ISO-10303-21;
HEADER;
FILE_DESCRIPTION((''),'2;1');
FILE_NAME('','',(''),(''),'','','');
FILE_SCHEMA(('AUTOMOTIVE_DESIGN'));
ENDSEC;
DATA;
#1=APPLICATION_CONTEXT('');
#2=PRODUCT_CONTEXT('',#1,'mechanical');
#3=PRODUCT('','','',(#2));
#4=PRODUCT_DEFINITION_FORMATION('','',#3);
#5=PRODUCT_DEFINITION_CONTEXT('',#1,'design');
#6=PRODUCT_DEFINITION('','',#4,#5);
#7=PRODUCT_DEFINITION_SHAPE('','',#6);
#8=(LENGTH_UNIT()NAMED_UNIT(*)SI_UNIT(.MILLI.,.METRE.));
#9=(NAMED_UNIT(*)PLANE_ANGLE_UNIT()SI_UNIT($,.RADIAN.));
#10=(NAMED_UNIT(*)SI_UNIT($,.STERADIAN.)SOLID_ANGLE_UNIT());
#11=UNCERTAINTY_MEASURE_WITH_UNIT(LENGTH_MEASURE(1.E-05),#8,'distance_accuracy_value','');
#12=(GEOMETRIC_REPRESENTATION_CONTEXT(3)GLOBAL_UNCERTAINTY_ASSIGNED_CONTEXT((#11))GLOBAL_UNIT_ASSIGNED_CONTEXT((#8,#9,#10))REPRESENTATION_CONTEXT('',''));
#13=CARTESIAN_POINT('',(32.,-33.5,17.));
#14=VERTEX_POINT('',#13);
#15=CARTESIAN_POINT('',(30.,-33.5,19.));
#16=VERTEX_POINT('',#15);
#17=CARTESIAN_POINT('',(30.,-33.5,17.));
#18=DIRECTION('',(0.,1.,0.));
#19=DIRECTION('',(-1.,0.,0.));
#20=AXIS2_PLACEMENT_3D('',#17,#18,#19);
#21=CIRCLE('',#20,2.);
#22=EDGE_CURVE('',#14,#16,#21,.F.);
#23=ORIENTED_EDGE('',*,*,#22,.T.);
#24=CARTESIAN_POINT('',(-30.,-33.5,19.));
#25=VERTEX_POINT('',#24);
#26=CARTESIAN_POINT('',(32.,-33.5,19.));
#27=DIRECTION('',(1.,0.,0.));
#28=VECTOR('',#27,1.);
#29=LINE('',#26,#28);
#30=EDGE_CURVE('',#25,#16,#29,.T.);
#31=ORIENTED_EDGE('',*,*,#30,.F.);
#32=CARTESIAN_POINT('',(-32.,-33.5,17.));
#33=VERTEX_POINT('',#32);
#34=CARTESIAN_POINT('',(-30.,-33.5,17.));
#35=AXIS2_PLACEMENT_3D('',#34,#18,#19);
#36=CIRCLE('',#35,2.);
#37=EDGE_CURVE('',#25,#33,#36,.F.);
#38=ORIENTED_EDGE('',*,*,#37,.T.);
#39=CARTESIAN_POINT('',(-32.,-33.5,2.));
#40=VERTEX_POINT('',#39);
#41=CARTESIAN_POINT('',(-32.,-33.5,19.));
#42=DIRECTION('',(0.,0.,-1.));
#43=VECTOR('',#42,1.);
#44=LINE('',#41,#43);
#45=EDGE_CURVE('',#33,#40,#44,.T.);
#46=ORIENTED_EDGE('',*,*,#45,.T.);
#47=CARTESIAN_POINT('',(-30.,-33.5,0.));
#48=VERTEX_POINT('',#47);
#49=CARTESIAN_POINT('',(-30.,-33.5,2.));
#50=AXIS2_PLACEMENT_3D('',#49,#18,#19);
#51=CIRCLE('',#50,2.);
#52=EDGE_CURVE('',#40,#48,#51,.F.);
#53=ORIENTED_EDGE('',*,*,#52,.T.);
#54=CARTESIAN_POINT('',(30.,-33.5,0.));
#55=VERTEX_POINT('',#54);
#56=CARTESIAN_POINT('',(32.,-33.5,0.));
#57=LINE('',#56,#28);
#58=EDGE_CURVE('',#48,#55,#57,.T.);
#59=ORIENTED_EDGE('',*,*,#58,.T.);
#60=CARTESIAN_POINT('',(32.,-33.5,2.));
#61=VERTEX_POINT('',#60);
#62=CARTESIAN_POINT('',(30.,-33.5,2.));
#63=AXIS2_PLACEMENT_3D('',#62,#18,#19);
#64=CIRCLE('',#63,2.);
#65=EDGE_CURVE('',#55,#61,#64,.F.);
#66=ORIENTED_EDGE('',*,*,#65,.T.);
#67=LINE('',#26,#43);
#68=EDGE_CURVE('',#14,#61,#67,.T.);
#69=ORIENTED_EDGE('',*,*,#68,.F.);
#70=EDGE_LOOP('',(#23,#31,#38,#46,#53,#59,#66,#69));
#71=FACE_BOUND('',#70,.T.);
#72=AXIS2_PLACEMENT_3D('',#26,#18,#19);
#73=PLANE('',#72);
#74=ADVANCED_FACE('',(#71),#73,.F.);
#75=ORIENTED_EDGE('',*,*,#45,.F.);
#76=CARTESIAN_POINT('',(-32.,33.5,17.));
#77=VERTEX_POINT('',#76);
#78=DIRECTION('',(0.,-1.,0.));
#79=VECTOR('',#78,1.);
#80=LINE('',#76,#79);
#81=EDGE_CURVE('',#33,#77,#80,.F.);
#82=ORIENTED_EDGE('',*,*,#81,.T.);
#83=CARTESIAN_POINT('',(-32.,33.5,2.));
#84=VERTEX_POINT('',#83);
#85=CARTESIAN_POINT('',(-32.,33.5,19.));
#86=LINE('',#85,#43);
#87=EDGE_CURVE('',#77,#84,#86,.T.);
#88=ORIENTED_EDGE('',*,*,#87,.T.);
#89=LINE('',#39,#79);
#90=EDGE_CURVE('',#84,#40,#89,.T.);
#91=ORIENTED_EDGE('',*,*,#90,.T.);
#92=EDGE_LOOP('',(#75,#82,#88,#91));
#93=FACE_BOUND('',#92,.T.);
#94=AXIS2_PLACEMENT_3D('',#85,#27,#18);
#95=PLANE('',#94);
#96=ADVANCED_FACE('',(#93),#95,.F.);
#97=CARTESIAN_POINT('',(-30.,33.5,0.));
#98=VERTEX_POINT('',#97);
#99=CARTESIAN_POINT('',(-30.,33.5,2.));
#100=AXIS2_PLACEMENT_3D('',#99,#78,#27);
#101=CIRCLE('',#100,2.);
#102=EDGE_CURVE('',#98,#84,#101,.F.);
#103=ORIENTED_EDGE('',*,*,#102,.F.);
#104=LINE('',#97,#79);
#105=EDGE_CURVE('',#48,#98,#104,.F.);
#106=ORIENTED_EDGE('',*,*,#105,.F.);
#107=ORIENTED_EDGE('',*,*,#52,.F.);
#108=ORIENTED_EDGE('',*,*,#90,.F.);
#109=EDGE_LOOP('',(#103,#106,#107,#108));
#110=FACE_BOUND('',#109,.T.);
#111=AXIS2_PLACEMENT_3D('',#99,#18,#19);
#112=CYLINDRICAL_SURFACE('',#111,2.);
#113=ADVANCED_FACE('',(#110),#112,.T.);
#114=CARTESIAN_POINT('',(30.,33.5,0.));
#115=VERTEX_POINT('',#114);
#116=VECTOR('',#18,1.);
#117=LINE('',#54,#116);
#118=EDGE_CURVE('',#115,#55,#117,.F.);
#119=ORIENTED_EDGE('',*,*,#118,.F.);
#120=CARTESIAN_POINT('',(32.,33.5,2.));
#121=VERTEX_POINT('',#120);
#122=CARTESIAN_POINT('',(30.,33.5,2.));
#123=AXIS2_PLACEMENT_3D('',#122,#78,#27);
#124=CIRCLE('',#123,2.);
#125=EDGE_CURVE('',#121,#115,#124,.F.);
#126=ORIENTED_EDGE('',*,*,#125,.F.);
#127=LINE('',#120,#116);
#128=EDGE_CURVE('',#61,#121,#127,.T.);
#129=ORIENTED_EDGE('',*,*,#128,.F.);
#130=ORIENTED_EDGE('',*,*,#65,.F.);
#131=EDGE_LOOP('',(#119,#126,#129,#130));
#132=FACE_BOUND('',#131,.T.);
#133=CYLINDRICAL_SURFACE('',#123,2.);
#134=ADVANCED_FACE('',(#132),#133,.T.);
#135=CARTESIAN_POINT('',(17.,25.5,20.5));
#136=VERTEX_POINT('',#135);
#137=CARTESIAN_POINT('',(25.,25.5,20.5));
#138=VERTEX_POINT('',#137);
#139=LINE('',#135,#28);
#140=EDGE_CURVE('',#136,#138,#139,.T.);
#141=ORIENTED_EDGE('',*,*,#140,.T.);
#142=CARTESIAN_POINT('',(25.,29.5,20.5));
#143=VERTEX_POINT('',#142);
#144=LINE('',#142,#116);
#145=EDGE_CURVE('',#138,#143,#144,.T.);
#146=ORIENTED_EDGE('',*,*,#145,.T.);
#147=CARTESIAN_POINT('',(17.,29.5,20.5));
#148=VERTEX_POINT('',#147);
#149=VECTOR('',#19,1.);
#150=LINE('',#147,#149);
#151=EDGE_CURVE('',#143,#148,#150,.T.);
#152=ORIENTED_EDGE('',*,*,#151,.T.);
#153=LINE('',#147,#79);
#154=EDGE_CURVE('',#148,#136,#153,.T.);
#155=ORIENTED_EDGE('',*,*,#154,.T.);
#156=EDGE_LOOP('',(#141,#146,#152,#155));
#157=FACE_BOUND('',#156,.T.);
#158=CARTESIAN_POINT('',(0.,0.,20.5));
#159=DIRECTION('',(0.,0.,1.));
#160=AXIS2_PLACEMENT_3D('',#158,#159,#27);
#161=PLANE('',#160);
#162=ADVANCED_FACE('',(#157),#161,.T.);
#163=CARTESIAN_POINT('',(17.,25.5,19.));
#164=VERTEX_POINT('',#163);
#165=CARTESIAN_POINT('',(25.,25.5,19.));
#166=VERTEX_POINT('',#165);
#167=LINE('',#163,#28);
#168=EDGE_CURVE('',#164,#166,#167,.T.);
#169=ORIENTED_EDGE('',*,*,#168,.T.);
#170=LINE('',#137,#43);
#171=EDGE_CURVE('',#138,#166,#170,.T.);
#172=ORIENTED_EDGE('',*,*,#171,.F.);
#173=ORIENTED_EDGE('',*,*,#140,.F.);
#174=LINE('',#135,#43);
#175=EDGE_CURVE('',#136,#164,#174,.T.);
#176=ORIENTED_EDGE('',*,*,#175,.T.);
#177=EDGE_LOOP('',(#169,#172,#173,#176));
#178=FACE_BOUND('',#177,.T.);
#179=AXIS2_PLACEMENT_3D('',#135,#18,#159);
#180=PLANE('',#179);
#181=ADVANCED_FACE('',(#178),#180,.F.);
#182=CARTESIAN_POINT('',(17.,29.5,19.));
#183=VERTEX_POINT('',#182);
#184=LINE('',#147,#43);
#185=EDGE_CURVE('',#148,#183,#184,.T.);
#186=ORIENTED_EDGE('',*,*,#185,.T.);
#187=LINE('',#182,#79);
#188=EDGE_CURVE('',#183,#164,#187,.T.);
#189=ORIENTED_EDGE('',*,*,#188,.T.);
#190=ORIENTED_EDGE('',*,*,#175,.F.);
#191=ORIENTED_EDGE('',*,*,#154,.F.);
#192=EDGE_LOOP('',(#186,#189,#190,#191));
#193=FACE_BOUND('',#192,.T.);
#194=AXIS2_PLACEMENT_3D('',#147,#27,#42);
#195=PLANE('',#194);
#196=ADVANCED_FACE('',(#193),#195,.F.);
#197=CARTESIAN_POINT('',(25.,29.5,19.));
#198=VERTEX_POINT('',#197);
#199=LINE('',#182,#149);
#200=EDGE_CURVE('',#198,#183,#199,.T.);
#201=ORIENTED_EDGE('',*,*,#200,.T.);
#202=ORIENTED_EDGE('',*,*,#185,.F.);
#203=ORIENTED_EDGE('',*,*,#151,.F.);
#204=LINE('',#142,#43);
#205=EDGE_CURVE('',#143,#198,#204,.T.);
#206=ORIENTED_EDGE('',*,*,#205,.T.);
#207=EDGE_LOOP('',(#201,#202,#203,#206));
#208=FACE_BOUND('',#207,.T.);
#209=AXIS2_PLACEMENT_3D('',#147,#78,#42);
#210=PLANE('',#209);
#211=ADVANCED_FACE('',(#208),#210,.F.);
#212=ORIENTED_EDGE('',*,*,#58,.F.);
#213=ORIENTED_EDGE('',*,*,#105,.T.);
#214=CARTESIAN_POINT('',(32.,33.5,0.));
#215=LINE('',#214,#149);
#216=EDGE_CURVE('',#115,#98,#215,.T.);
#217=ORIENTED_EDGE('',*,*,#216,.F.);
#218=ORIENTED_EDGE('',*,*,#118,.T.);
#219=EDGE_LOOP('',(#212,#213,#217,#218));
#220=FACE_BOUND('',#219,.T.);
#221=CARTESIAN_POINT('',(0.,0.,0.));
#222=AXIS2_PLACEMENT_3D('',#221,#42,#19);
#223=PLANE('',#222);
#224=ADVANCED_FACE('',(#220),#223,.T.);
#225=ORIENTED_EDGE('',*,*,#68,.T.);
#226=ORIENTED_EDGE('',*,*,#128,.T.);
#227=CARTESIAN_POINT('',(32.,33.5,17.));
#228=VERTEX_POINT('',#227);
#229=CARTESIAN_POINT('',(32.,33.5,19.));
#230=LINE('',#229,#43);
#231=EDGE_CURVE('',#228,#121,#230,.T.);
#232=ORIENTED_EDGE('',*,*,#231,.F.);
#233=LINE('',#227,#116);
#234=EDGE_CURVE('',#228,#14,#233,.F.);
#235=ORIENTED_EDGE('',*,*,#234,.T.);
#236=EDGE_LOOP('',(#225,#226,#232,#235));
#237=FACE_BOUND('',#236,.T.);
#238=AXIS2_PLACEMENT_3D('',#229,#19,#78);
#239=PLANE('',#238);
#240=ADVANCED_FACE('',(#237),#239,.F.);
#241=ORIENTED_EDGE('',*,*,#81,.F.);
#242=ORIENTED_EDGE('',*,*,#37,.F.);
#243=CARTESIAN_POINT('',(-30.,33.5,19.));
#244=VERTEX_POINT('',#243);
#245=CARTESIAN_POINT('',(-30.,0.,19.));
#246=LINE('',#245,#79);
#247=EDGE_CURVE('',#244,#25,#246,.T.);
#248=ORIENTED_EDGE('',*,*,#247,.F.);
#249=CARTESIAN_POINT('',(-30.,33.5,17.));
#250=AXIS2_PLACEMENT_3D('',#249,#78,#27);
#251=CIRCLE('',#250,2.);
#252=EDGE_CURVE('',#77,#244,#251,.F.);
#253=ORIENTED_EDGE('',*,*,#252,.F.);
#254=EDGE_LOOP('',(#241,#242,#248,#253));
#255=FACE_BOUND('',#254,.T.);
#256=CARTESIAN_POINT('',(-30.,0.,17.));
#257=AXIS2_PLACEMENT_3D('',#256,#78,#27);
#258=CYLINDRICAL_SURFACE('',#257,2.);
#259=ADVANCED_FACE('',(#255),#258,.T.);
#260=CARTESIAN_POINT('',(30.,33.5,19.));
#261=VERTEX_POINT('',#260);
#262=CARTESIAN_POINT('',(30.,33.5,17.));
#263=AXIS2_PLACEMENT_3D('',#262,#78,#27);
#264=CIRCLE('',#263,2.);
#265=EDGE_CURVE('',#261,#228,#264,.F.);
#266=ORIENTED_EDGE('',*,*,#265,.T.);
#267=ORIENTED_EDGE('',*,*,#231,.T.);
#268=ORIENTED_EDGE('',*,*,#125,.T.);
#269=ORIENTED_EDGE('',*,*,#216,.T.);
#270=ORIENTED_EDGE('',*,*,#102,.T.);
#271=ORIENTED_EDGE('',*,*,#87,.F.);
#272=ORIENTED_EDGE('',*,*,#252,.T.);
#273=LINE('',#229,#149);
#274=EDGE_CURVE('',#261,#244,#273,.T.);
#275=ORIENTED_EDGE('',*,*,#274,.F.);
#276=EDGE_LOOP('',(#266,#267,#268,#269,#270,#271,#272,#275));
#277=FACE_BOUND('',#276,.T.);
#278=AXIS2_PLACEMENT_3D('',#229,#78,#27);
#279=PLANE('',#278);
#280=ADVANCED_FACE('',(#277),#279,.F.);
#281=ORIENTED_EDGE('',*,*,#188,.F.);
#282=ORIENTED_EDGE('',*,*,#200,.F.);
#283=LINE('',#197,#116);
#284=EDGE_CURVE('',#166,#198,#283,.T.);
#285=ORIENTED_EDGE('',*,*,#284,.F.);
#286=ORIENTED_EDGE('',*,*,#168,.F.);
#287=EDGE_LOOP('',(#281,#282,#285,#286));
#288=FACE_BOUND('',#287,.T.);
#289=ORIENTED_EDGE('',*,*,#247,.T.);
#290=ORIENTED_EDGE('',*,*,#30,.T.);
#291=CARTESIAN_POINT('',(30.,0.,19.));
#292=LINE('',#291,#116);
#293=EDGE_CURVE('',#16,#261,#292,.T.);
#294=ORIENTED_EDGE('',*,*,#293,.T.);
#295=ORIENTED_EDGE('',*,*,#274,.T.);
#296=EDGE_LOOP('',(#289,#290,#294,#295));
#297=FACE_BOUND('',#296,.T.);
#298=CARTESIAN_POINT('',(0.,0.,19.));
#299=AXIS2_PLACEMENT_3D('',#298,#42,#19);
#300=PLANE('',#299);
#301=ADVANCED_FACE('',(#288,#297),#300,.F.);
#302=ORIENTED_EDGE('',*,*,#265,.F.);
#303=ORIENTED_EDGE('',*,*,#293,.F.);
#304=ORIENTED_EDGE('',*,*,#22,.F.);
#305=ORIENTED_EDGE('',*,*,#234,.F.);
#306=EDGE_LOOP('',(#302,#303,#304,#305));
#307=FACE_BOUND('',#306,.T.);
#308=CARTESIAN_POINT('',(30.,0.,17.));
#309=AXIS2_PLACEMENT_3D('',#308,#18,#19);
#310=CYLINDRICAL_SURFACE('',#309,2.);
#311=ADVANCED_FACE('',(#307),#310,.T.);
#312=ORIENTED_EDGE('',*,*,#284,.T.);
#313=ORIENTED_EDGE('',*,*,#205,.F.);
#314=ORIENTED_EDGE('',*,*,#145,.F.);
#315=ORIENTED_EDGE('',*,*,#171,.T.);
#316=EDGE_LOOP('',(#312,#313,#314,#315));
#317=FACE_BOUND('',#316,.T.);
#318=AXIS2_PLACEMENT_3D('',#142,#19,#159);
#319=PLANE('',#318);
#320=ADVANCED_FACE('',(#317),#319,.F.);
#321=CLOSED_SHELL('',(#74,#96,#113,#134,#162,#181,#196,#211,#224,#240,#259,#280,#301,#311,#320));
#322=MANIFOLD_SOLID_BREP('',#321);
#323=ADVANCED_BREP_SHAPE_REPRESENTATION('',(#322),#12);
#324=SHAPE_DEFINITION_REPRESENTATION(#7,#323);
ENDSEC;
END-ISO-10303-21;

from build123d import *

# Parameters (mm, degrees)
SKETCH1_W           = 64
SKETCH1_H           = 67
BOSS_EXTRUDE1_DEPTH = 19
SKETCH2_W           = 8
SKETCH2_H           = 4
BOSS_EXTRUDE2_DEPTH = 1.5
FILLET1_R           = 2


with BuildPart() as part:
    # Sketch1 → Boss-Extrude1 (new body)
    with BuildSketch(Plane.XY):
        Rectangle(SKETCH1_W, SKETCH1_H)
    extrude(amount=BOSS_EXTRUDE1_DEPTH)

    # Sketch2 → Boss-Extrude2 (add)
    with BuildSketch(Plane.XY.offset(19)):
        with Locations((21, 27.5)):
            Rectangle(SKETCH2_W, SKETCH2_H)
    extrude(amount=BOSS_EXTRUDE2_DEPTH)

    # Fillet1
    fillet1_edges = [part.edges().sort_by_distance(p)[0] for p in [
        (32, 0, 19),
        (-32, 0, 19),
        (32, 0, 0),
        (-32, 0, 0),
    ]]
    fillet(fillet1_edges, radius=FILLET1_R)


solid = part.part
